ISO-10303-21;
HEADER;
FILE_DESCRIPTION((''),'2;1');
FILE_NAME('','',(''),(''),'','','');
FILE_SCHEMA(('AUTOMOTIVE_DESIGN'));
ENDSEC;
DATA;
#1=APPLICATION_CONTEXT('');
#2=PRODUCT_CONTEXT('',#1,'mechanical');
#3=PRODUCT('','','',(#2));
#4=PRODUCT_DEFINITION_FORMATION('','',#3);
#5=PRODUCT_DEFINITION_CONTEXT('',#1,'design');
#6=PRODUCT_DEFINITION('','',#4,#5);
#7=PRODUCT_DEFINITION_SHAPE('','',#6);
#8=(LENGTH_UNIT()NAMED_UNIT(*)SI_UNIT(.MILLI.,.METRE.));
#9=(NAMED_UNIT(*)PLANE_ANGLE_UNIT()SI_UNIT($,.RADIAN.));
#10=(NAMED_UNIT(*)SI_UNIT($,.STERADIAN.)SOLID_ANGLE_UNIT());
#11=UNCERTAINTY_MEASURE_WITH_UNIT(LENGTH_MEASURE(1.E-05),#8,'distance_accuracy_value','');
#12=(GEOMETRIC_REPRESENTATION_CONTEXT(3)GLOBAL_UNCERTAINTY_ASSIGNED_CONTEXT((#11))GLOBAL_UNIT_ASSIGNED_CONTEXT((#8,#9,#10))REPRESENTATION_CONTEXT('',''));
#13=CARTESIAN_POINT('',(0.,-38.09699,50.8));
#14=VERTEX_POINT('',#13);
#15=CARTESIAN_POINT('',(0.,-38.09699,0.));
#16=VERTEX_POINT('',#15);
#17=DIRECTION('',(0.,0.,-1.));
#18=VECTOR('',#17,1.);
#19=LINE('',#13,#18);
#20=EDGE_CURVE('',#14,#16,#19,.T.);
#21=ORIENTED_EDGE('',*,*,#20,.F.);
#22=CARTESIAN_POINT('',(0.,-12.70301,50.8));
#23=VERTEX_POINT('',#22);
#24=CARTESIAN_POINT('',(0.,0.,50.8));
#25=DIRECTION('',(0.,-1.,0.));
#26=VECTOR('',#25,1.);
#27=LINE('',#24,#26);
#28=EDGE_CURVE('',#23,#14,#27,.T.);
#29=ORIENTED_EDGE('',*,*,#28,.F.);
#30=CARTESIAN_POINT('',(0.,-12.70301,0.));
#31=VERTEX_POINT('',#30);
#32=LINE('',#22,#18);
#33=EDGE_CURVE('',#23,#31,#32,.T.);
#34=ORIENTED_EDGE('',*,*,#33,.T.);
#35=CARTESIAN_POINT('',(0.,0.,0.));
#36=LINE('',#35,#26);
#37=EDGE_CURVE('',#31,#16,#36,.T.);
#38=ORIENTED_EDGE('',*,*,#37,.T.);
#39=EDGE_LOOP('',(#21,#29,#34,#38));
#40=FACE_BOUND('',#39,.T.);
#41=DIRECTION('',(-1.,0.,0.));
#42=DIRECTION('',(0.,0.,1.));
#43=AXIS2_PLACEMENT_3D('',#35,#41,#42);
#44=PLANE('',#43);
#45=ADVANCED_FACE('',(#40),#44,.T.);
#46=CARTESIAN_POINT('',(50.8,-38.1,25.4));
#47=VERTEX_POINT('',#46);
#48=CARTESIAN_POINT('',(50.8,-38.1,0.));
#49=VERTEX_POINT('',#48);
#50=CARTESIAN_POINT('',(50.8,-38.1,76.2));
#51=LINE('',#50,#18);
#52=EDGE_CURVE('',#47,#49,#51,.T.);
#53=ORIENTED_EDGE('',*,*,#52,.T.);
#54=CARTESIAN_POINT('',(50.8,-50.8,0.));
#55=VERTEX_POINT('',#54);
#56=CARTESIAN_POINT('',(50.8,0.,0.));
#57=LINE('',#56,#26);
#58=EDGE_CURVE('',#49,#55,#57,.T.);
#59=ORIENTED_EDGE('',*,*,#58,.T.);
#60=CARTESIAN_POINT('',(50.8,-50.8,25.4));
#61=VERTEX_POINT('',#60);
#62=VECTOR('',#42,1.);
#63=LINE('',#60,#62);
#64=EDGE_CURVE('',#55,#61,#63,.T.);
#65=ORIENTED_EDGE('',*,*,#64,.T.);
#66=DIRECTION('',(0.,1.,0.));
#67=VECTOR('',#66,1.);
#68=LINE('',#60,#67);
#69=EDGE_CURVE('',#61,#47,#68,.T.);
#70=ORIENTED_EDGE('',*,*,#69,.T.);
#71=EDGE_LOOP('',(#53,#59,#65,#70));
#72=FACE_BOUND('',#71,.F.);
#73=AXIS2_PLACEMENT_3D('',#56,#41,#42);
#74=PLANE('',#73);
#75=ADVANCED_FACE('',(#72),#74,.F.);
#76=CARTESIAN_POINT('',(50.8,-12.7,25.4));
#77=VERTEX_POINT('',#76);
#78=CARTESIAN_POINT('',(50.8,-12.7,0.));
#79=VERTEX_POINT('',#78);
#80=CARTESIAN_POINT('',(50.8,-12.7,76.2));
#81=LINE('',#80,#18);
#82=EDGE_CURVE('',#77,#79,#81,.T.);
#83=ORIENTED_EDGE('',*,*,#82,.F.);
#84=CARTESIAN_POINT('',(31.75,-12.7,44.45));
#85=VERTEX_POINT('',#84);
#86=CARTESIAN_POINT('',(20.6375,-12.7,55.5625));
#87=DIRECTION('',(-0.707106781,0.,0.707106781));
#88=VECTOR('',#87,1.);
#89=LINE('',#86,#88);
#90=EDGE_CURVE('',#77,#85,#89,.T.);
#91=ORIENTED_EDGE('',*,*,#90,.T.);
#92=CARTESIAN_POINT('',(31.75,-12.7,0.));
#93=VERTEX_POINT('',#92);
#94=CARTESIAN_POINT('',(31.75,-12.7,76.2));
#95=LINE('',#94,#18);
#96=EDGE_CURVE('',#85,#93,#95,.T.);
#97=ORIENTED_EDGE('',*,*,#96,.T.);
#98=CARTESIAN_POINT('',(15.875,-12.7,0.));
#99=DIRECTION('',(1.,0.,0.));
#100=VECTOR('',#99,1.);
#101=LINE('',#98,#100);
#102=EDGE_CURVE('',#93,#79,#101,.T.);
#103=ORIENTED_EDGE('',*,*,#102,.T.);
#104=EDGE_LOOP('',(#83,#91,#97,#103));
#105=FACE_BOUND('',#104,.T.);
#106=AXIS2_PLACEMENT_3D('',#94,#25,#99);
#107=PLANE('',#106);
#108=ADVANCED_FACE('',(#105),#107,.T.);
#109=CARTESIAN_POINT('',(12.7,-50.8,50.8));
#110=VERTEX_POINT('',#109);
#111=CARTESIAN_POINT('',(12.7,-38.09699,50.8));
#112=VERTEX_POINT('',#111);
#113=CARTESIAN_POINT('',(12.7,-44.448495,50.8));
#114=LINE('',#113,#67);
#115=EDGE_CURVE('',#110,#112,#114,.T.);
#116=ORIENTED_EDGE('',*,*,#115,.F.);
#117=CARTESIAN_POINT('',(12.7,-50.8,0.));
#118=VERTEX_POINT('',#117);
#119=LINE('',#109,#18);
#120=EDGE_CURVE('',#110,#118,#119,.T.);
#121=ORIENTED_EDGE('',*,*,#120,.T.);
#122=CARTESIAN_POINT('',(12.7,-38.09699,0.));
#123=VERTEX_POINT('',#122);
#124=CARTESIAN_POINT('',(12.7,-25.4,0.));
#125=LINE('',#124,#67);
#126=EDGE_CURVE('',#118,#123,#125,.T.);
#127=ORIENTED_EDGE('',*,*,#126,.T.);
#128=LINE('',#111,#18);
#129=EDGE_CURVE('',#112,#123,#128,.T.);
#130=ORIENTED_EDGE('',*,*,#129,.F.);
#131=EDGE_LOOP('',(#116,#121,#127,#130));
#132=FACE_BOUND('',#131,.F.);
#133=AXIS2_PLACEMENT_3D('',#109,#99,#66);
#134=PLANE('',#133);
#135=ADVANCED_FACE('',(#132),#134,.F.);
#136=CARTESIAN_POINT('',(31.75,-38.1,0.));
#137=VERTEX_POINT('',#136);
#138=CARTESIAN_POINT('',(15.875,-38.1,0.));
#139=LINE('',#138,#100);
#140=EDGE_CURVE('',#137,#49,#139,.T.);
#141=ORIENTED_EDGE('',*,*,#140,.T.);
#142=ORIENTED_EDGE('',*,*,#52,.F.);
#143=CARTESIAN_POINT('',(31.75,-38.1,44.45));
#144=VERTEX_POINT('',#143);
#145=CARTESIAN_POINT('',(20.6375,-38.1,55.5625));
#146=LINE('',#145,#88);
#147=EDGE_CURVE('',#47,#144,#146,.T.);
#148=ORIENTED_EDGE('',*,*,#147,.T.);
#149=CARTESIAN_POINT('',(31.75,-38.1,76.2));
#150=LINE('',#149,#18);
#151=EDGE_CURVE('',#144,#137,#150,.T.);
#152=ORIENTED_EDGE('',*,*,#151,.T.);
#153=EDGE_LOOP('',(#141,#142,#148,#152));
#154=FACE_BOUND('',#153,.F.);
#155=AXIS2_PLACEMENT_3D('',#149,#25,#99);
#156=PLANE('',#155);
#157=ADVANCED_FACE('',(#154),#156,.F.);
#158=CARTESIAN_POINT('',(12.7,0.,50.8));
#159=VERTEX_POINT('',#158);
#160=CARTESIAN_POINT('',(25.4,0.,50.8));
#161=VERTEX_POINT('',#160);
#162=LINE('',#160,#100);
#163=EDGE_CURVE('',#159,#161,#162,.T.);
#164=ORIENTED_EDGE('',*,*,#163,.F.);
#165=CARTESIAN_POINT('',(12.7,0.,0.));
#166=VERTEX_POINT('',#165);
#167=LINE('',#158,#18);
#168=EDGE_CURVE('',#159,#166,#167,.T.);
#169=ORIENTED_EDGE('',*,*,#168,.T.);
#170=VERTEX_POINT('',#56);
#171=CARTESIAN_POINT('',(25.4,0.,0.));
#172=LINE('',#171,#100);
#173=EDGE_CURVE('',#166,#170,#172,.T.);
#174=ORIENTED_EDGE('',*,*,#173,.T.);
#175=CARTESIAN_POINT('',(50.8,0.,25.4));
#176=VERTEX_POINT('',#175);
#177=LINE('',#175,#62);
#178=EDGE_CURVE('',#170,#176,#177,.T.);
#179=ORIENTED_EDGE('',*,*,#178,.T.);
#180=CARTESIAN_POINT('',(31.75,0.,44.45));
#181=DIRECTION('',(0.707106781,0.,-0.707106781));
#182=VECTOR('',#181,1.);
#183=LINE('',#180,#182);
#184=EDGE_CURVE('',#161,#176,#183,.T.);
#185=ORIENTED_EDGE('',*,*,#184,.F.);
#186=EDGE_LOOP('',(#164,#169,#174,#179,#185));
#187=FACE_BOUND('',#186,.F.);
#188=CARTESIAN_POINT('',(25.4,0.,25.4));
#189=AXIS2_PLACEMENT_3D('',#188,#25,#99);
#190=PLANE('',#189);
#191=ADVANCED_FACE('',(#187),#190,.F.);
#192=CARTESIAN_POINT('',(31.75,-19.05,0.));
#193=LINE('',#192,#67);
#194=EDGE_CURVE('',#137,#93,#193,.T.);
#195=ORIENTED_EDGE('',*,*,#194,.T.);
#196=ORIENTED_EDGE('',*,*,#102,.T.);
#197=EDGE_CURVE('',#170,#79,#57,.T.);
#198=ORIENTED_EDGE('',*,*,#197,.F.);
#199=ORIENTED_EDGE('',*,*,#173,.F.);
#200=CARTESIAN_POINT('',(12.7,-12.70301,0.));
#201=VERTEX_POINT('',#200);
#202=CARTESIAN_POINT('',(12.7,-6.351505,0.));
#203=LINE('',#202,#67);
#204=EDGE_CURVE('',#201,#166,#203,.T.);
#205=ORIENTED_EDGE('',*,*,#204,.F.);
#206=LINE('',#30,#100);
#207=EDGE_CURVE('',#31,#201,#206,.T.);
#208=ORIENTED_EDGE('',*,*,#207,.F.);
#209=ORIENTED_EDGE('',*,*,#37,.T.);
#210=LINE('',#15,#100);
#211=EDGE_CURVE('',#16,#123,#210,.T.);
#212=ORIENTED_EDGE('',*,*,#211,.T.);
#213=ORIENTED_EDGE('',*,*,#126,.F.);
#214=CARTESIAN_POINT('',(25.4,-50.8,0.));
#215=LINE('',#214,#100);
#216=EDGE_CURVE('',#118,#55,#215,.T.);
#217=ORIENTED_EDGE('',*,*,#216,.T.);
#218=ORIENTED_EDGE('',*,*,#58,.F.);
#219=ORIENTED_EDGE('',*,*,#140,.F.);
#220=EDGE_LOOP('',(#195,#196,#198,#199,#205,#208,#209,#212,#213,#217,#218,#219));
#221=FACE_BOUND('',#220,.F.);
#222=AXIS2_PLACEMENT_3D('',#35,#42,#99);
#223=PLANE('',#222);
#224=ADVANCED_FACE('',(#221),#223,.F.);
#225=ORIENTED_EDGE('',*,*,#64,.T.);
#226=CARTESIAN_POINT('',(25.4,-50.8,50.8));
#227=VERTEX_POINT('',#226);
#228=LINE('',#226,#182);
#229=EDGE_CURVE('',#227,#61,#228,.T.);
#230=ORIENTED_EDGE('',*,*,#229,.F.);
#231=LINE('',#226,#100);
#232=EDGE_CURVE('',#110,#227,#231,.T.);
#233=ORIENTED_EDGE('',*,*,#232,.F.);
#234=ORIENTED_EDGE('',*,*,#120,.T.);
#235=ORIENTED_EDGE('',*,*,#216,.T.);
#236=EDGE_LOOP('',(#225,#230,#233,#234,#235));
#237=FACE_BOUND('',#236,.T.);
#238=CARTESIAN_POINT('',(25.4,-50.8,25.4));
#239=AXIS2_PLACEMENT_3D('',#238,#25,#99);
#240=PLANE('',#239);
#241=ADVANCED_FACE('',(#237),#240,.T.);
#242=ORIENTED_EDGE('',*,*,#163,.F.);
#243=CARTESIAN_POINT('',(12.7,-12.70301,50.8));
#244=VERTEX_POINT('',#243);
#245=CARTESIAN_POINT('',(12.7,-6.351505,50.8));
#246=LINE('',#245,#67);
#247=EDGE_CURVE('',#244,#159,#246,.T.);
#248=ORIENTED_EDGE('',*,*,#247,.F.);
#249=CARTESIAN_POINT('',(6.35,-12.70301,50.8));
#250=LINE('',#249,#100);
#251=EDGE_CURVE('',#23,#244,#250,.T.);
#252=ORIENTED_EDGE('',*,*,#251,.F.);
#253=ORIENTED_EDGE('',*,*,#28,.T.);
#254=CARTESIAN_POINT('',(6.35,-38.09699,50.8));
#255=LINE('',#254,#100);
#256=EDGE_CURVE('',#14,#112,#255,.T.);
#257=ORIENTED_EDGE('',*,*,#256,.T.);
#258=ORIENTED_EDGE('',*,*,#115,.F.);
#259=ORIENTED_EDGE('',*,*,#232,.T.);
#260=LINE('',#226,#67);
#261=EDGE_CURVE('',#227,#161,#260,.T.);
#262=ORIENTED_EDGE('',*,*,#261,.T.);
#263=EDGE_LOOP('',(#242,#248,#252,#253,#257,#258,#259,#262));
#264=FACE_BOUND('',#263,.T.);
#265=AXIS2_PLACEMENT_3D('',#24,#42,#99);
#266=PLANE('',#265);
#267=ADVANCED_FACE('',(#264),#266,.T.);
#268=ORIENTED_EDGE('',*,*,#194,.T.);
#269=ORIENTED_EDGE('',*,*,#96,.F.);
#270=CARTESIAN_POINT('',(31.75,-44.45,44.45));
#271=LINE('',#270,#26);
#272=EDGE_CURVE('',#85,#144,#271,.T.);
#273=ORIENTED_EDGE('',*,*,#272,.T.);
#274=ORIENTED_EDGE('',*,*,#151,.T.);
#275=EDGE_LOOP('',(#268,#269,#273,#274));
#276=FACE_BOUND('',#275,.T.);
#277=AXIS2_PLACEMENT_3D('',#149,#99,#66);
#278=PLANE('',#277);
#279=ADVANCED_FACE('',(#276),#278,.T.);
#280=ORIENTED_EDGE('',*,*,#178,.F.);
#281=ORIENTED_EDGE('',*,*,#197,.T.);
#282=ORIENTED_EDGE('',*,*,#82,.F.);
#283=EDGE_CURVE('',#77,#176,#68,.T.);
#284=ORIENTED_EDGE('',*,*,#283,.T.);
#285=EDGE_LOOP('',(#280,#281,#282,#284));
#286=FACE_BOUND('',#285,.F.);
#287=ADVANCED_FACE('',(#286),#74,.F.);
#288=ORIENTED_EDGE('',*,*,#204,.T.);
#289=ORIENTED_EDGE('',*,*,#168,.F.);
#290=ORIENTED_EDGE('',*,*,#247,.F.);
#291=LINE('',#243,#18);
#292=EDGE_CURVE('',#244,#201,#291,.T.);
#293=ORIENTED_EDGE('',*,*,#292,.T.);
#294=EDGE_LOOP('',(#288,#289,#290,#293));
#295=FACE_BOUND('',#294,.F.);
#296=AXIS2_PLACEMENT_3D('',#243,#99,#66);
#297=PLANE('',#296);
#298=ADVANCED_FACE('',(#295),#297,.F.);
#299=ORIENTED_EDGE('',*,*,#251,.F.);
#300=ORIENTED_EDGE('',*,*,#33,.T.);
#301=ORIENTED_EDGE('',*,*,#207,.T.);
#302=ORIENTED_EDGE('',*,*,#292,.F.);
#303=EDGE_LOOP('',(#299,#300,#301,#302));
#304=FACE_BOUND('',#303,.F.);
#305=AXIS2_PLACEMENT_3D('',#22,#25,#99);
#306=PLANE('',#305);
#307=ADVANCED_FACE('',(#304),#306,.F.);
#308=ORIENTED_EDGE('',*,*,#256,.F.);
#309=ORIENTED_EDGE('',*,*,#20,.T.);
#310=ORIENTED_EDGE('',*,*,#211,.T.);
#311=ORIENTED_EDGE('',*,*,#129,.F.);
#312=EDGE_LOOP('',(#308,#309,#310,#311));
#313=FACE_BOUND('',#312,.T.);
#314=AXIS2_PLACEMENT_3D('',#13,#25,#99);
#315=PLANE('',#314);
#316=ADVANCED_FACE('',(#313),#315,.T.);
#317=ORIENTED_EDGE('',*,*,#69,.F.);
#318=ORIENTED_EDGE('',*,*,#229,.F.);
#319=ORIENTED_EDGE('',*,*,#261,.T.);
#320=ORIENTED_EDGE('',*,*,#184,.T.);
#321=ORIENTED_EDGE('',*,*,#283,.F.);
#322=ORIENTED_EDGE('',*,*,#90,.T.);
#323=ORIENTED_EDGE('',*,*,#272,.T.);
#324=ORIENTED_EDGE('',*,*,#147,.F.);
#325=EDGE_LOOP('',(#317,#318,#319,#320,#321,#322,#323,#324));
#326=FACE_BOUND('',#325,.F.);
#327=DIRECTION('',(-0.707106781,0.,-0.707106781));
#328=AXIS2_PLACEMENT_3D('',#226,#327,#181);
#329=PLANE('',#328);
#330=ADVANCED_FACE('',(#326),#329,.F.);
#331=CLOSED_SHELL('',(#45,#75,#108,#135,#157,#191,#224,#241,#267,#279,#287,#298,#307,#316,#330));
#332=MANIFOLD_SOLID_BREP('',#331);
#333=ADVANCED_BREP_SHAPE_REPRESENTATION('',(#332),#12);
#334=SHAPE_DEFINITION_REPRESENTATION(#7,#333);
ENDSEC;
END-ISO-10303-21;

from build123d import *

# Parameters (mm, degrees)
F0_W     = 50.8
F0_H     = 50.8
F1_DEPTH = 50.8
F3_DEPTH = 50.801
F4_W     = 12.7
F4_H     = 12.7030098811
F5_DEPTH = 50.801
F7_W     = 19.05
F7_H     = 25.4
F8_DEPTH = 76.201


with BuildPart() as f1:
    # F0 (on Front) → F1 (new body)
    with BuildSketch(Plane.XZ):
        with Locations((25.4, 25.4)):
            Rectangle(F0_W, F0_H)
    extrude(amount=F1_DEPTH)

    # F2 (on face) → F3 (cut, through all)
    with BuildSketch(Plane.XZ.offset(50.8)):
        Polygon((50.8, 50.8), (25.4, 50.8), (50.8, 25.4), align=None)
    extrude(amount=-F3_DEPTH, mode=Mode.SUBTRACT)

    # F4 (on face) → F5 (cut, through all)
    with BuildSketch(Plane.XY.offset(50.8)):
        with Locations((6.35, -6.3515049405)):
            Rectangle(F4_W, F4_H)
        with Locations((6.35, -44.4484950595)):
            Rectangle(F4_W, F4_H)
    extrude(amount=-F5_DEPTH, mode=Mode.SUBTRACT)

    # F7 (on offset) → F8 (cut, through all)
    with BuildSketch(Plane.XY.offset(76.2)):
        with Locations((41.275, -25.4)):
            Rectangle(F7_W, F7_H)
    extrude(amount=-F8_DEPTH, mode=Mode.SUBTRACT)


solid = f1.part
